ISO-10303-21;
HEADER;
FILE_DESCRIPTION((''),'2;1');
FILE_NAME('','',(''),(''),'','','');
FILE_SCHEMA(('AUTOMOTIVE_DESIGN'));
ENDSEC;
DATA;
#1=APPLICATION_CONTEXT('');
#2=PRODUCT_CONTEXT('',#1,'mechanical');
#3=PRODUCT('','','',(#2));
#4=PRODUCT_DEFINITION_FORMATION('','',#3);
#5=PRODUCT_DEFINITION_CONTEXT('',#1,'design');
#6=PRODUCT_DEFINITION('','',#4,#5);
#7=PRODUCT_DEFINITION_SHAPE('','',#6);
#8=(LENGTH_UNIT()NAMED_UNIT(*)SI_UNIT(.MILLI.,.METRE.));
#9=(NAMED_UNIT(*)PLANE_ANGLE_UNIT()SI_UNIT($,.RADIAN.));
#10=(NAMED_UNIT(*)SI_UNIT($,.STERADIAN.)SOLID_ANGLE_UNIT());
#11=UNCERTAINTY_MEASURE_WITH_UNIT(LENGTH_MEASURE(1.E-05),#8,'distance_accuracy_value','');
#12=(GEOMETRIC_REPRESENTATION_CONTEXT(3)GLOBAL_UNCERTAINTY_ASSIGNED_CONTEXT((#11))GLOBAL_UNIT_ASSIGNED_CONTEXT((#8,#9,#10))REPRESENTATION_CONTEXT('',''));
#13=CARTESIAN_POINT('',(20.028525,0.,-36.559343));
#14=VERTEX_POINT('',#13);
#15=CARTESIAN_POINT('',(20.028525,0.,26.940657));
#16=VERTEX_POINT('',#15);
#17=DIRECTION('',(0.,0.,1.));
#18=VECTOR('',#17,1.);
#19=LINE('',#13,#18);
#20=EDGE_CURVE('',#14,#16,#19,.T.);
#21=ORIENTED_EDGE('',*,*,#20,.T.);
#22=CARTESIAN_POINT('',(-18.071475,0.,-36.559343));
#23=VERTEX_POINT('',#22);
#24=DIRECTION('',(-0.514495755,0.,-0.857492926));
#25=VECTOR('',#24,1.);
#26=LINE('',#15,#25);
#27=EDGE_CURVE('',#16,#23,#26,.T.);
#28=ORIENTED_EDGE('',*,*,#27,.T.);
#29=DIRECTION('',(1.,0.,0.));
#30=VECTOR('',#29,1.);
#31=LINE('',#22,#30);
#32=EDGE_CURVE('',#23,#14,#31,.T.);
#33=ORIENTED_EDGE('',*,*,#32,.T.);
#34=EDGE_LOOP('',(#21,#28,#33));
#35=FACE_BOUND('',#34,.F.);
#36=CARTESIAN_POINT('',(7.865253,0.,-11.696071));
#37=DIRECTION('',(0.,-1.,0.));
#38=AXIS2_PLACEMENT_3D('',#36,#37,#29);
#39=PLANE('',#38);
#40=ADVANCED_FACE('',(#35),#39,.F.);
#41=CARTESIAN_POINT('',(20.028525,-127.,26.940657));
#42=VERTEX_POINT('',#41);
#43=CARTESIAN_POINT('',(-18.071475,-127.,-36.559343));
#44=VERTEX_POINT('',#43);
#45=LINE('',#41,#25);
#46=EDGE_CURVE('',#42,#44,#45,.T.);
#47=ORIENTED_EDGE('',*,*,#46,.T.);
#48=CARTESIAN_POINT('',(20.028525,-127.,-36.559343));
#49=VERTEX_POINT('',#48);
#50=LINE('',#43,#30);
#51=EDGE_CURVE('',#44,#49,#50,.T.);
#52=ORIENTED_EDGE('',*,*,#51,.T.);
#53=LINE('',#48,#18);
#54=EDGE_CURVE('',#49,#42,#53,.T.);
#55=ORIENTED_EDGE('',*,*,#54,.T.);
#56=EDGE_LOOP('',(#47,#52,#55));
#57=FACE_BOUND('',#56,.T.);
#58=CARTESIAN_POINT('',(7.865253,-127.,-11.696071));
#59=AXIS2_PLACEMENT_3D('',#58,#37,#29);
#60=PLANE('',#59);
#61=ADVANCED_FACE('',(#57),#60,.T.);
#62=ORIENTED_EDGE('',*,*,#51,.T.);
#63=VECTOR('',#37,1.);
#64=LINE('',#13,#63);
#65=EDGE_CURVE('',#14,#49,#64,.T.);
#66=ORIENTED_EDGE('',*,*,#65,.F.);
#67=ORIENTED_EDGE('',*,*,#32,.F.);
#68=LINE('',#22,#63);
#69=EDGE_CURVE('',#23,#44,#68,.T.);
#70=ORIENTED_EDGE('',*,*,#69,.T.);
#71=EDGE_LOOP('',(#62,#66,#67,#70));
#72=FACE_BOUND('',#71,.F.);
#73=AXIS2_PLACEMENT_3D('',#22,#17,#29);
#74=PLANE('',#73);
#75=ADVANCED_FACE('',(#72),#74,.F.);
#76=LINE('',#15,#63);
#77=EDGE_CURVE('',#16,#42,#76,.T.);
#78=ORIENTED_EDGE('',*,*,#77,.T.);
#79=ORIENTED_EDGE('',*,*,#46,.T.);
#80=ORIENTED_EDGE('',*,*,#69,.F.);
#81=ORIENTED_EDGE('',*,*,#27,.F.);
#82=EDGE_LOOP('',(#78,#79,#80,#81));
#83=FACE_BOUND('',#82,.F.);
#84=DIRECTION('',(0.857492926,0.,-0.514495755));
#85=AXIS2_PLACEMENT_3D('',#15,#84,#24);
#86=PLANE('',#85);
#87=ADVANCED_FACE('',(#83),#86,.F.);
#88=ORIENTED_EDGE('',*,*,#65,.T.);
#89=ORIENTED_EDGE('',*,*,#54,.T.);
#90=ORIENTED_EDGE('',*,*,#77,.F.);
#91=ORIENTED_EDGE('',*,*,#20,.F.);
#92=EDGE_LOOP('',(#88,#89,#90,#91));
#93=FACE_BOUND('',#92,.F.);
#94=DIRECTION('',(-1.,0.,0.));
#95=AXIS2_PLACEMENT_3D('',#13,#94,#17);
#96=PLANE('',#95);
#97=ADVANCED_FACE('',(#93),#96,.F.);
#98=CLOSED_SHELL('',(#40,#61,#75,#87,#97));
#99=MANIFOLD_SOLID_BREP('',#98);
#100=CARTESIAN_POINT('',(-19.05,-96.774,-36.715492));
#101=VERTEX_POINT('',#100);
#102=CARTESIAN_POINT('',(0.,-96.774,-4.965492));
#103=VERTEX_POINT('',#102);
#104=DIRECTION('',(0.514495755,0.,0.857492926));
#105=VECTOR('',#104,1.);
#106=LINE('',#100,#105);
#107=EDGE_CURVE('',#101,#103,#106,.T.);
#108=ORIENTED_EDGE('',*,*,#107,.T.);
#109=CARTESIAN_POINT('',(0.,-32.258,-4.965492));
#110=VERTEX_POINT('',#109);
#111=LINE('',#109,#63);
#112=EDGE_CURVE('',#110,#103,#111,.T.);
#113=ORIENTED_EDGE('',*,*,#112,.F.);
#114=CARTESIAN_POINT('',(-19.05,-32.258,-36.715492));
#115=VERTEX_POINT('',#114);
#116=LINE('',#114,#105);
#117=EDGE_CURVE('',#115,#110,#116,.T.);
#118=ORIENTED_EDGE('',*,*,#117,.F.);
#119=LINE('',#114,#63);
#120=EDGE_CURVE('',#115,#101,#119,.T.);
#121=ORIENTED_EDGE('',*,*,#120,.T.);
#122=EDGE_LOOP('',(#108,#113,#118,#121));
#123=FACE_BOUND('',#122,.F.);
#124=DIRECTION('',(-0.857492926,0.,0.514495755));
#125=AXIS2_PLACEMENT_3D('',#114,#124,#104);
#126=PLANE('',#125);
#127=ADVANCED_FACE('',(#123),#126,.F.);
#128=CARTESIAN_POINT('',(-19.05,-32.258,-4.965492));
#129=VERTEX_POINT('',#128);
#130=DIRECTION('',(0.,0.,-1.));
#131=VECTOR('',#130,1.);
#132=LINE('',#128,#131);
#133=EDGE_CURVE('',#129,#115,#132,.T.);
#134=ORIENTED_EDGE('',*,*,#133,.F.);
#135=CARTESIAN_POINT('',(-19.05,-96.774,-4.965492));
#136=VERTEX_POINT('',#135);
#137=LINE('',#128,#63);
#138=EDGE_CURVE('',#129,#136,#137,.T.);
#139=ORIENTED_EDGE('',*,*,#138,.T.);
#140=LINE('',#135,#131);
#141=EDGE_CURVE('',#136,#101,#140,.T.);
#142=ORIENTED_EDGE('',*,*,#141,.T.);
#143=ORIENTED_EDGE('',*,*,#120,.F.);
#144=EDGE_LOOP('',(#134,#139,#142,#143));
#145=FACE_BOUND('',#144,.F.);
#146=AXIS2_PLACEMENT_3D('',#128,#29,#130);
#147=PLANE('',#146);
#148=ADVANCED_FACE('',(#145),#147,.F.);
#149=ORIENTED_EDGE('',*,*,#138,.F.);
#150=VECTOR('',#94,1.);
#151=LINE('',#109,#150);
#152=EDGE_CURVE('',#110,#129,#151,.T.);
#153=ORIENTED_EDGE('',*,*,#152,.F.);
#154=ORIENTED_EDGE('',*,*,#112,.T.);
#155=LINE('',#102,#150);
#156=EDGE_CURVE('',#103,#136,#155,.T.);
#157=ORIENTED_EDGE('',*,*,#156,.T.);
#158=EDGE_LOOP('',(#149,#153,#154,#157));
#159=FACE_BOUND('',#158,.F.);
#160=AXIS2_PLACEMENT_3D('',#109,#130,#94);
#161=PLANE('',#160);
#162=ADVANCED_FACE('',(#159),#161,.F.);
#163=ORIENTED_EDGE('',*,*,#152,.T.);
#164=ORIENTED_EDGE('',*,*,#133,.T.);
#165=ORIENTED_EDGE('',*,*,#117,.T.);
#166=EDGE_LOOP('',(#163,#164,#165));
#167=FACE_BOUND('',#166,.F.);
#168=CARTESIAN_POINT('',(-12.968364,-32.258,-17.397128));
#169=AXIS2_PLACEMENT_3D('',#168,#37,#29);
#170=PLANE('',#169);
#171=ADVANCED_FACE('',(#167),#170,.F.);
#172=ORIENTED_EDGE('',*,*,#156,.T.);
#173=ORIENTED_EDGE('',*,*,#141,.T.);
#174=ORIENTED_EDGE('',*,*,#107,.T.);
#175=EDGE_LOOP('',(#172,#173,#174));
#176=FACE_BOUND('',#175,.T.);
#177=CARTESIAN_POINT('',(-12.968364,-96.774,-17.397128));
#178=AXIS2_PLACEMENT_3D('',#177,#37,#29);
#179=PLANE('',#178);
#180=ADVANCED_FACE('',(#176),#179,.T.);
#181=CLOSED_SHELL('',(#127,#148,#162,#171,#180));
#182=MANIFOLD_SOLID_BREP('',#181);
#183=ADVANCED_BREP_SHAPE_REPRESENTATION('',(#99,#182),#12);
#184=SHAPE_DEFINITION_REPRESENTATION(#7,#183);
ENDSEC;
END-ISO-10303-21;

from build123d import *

# Parameters (mm, degrees)
F1_DEPTH = 127
F3_START = 32.258
F3_DEPTH = 64.516


with BuildPart() as f1:
    # F0 (on Front) → F1 (new body)
    with BuildSketch(Plane.XZ):
        Polygon((-18.0714745075, -36.5593432561), (20.0285254925, -36.5593432561), (20.0285254925, 26.9406567439), align=None)
    extrude(amount=F1_DEPTH)


with BuildPart() as f3:
    # F2 (on Front) → F3 (new body)
    with BuildSketch(Plane.XZ.offset(F3_START)):
        Polygon((-19.05, -4.9654923324), (-19.05, -36.7154923324), (0, -4.9654923324), align=None)
    extrude(amount=F3_DEPTH)


solid = Compound([f1.part, f3.part])
